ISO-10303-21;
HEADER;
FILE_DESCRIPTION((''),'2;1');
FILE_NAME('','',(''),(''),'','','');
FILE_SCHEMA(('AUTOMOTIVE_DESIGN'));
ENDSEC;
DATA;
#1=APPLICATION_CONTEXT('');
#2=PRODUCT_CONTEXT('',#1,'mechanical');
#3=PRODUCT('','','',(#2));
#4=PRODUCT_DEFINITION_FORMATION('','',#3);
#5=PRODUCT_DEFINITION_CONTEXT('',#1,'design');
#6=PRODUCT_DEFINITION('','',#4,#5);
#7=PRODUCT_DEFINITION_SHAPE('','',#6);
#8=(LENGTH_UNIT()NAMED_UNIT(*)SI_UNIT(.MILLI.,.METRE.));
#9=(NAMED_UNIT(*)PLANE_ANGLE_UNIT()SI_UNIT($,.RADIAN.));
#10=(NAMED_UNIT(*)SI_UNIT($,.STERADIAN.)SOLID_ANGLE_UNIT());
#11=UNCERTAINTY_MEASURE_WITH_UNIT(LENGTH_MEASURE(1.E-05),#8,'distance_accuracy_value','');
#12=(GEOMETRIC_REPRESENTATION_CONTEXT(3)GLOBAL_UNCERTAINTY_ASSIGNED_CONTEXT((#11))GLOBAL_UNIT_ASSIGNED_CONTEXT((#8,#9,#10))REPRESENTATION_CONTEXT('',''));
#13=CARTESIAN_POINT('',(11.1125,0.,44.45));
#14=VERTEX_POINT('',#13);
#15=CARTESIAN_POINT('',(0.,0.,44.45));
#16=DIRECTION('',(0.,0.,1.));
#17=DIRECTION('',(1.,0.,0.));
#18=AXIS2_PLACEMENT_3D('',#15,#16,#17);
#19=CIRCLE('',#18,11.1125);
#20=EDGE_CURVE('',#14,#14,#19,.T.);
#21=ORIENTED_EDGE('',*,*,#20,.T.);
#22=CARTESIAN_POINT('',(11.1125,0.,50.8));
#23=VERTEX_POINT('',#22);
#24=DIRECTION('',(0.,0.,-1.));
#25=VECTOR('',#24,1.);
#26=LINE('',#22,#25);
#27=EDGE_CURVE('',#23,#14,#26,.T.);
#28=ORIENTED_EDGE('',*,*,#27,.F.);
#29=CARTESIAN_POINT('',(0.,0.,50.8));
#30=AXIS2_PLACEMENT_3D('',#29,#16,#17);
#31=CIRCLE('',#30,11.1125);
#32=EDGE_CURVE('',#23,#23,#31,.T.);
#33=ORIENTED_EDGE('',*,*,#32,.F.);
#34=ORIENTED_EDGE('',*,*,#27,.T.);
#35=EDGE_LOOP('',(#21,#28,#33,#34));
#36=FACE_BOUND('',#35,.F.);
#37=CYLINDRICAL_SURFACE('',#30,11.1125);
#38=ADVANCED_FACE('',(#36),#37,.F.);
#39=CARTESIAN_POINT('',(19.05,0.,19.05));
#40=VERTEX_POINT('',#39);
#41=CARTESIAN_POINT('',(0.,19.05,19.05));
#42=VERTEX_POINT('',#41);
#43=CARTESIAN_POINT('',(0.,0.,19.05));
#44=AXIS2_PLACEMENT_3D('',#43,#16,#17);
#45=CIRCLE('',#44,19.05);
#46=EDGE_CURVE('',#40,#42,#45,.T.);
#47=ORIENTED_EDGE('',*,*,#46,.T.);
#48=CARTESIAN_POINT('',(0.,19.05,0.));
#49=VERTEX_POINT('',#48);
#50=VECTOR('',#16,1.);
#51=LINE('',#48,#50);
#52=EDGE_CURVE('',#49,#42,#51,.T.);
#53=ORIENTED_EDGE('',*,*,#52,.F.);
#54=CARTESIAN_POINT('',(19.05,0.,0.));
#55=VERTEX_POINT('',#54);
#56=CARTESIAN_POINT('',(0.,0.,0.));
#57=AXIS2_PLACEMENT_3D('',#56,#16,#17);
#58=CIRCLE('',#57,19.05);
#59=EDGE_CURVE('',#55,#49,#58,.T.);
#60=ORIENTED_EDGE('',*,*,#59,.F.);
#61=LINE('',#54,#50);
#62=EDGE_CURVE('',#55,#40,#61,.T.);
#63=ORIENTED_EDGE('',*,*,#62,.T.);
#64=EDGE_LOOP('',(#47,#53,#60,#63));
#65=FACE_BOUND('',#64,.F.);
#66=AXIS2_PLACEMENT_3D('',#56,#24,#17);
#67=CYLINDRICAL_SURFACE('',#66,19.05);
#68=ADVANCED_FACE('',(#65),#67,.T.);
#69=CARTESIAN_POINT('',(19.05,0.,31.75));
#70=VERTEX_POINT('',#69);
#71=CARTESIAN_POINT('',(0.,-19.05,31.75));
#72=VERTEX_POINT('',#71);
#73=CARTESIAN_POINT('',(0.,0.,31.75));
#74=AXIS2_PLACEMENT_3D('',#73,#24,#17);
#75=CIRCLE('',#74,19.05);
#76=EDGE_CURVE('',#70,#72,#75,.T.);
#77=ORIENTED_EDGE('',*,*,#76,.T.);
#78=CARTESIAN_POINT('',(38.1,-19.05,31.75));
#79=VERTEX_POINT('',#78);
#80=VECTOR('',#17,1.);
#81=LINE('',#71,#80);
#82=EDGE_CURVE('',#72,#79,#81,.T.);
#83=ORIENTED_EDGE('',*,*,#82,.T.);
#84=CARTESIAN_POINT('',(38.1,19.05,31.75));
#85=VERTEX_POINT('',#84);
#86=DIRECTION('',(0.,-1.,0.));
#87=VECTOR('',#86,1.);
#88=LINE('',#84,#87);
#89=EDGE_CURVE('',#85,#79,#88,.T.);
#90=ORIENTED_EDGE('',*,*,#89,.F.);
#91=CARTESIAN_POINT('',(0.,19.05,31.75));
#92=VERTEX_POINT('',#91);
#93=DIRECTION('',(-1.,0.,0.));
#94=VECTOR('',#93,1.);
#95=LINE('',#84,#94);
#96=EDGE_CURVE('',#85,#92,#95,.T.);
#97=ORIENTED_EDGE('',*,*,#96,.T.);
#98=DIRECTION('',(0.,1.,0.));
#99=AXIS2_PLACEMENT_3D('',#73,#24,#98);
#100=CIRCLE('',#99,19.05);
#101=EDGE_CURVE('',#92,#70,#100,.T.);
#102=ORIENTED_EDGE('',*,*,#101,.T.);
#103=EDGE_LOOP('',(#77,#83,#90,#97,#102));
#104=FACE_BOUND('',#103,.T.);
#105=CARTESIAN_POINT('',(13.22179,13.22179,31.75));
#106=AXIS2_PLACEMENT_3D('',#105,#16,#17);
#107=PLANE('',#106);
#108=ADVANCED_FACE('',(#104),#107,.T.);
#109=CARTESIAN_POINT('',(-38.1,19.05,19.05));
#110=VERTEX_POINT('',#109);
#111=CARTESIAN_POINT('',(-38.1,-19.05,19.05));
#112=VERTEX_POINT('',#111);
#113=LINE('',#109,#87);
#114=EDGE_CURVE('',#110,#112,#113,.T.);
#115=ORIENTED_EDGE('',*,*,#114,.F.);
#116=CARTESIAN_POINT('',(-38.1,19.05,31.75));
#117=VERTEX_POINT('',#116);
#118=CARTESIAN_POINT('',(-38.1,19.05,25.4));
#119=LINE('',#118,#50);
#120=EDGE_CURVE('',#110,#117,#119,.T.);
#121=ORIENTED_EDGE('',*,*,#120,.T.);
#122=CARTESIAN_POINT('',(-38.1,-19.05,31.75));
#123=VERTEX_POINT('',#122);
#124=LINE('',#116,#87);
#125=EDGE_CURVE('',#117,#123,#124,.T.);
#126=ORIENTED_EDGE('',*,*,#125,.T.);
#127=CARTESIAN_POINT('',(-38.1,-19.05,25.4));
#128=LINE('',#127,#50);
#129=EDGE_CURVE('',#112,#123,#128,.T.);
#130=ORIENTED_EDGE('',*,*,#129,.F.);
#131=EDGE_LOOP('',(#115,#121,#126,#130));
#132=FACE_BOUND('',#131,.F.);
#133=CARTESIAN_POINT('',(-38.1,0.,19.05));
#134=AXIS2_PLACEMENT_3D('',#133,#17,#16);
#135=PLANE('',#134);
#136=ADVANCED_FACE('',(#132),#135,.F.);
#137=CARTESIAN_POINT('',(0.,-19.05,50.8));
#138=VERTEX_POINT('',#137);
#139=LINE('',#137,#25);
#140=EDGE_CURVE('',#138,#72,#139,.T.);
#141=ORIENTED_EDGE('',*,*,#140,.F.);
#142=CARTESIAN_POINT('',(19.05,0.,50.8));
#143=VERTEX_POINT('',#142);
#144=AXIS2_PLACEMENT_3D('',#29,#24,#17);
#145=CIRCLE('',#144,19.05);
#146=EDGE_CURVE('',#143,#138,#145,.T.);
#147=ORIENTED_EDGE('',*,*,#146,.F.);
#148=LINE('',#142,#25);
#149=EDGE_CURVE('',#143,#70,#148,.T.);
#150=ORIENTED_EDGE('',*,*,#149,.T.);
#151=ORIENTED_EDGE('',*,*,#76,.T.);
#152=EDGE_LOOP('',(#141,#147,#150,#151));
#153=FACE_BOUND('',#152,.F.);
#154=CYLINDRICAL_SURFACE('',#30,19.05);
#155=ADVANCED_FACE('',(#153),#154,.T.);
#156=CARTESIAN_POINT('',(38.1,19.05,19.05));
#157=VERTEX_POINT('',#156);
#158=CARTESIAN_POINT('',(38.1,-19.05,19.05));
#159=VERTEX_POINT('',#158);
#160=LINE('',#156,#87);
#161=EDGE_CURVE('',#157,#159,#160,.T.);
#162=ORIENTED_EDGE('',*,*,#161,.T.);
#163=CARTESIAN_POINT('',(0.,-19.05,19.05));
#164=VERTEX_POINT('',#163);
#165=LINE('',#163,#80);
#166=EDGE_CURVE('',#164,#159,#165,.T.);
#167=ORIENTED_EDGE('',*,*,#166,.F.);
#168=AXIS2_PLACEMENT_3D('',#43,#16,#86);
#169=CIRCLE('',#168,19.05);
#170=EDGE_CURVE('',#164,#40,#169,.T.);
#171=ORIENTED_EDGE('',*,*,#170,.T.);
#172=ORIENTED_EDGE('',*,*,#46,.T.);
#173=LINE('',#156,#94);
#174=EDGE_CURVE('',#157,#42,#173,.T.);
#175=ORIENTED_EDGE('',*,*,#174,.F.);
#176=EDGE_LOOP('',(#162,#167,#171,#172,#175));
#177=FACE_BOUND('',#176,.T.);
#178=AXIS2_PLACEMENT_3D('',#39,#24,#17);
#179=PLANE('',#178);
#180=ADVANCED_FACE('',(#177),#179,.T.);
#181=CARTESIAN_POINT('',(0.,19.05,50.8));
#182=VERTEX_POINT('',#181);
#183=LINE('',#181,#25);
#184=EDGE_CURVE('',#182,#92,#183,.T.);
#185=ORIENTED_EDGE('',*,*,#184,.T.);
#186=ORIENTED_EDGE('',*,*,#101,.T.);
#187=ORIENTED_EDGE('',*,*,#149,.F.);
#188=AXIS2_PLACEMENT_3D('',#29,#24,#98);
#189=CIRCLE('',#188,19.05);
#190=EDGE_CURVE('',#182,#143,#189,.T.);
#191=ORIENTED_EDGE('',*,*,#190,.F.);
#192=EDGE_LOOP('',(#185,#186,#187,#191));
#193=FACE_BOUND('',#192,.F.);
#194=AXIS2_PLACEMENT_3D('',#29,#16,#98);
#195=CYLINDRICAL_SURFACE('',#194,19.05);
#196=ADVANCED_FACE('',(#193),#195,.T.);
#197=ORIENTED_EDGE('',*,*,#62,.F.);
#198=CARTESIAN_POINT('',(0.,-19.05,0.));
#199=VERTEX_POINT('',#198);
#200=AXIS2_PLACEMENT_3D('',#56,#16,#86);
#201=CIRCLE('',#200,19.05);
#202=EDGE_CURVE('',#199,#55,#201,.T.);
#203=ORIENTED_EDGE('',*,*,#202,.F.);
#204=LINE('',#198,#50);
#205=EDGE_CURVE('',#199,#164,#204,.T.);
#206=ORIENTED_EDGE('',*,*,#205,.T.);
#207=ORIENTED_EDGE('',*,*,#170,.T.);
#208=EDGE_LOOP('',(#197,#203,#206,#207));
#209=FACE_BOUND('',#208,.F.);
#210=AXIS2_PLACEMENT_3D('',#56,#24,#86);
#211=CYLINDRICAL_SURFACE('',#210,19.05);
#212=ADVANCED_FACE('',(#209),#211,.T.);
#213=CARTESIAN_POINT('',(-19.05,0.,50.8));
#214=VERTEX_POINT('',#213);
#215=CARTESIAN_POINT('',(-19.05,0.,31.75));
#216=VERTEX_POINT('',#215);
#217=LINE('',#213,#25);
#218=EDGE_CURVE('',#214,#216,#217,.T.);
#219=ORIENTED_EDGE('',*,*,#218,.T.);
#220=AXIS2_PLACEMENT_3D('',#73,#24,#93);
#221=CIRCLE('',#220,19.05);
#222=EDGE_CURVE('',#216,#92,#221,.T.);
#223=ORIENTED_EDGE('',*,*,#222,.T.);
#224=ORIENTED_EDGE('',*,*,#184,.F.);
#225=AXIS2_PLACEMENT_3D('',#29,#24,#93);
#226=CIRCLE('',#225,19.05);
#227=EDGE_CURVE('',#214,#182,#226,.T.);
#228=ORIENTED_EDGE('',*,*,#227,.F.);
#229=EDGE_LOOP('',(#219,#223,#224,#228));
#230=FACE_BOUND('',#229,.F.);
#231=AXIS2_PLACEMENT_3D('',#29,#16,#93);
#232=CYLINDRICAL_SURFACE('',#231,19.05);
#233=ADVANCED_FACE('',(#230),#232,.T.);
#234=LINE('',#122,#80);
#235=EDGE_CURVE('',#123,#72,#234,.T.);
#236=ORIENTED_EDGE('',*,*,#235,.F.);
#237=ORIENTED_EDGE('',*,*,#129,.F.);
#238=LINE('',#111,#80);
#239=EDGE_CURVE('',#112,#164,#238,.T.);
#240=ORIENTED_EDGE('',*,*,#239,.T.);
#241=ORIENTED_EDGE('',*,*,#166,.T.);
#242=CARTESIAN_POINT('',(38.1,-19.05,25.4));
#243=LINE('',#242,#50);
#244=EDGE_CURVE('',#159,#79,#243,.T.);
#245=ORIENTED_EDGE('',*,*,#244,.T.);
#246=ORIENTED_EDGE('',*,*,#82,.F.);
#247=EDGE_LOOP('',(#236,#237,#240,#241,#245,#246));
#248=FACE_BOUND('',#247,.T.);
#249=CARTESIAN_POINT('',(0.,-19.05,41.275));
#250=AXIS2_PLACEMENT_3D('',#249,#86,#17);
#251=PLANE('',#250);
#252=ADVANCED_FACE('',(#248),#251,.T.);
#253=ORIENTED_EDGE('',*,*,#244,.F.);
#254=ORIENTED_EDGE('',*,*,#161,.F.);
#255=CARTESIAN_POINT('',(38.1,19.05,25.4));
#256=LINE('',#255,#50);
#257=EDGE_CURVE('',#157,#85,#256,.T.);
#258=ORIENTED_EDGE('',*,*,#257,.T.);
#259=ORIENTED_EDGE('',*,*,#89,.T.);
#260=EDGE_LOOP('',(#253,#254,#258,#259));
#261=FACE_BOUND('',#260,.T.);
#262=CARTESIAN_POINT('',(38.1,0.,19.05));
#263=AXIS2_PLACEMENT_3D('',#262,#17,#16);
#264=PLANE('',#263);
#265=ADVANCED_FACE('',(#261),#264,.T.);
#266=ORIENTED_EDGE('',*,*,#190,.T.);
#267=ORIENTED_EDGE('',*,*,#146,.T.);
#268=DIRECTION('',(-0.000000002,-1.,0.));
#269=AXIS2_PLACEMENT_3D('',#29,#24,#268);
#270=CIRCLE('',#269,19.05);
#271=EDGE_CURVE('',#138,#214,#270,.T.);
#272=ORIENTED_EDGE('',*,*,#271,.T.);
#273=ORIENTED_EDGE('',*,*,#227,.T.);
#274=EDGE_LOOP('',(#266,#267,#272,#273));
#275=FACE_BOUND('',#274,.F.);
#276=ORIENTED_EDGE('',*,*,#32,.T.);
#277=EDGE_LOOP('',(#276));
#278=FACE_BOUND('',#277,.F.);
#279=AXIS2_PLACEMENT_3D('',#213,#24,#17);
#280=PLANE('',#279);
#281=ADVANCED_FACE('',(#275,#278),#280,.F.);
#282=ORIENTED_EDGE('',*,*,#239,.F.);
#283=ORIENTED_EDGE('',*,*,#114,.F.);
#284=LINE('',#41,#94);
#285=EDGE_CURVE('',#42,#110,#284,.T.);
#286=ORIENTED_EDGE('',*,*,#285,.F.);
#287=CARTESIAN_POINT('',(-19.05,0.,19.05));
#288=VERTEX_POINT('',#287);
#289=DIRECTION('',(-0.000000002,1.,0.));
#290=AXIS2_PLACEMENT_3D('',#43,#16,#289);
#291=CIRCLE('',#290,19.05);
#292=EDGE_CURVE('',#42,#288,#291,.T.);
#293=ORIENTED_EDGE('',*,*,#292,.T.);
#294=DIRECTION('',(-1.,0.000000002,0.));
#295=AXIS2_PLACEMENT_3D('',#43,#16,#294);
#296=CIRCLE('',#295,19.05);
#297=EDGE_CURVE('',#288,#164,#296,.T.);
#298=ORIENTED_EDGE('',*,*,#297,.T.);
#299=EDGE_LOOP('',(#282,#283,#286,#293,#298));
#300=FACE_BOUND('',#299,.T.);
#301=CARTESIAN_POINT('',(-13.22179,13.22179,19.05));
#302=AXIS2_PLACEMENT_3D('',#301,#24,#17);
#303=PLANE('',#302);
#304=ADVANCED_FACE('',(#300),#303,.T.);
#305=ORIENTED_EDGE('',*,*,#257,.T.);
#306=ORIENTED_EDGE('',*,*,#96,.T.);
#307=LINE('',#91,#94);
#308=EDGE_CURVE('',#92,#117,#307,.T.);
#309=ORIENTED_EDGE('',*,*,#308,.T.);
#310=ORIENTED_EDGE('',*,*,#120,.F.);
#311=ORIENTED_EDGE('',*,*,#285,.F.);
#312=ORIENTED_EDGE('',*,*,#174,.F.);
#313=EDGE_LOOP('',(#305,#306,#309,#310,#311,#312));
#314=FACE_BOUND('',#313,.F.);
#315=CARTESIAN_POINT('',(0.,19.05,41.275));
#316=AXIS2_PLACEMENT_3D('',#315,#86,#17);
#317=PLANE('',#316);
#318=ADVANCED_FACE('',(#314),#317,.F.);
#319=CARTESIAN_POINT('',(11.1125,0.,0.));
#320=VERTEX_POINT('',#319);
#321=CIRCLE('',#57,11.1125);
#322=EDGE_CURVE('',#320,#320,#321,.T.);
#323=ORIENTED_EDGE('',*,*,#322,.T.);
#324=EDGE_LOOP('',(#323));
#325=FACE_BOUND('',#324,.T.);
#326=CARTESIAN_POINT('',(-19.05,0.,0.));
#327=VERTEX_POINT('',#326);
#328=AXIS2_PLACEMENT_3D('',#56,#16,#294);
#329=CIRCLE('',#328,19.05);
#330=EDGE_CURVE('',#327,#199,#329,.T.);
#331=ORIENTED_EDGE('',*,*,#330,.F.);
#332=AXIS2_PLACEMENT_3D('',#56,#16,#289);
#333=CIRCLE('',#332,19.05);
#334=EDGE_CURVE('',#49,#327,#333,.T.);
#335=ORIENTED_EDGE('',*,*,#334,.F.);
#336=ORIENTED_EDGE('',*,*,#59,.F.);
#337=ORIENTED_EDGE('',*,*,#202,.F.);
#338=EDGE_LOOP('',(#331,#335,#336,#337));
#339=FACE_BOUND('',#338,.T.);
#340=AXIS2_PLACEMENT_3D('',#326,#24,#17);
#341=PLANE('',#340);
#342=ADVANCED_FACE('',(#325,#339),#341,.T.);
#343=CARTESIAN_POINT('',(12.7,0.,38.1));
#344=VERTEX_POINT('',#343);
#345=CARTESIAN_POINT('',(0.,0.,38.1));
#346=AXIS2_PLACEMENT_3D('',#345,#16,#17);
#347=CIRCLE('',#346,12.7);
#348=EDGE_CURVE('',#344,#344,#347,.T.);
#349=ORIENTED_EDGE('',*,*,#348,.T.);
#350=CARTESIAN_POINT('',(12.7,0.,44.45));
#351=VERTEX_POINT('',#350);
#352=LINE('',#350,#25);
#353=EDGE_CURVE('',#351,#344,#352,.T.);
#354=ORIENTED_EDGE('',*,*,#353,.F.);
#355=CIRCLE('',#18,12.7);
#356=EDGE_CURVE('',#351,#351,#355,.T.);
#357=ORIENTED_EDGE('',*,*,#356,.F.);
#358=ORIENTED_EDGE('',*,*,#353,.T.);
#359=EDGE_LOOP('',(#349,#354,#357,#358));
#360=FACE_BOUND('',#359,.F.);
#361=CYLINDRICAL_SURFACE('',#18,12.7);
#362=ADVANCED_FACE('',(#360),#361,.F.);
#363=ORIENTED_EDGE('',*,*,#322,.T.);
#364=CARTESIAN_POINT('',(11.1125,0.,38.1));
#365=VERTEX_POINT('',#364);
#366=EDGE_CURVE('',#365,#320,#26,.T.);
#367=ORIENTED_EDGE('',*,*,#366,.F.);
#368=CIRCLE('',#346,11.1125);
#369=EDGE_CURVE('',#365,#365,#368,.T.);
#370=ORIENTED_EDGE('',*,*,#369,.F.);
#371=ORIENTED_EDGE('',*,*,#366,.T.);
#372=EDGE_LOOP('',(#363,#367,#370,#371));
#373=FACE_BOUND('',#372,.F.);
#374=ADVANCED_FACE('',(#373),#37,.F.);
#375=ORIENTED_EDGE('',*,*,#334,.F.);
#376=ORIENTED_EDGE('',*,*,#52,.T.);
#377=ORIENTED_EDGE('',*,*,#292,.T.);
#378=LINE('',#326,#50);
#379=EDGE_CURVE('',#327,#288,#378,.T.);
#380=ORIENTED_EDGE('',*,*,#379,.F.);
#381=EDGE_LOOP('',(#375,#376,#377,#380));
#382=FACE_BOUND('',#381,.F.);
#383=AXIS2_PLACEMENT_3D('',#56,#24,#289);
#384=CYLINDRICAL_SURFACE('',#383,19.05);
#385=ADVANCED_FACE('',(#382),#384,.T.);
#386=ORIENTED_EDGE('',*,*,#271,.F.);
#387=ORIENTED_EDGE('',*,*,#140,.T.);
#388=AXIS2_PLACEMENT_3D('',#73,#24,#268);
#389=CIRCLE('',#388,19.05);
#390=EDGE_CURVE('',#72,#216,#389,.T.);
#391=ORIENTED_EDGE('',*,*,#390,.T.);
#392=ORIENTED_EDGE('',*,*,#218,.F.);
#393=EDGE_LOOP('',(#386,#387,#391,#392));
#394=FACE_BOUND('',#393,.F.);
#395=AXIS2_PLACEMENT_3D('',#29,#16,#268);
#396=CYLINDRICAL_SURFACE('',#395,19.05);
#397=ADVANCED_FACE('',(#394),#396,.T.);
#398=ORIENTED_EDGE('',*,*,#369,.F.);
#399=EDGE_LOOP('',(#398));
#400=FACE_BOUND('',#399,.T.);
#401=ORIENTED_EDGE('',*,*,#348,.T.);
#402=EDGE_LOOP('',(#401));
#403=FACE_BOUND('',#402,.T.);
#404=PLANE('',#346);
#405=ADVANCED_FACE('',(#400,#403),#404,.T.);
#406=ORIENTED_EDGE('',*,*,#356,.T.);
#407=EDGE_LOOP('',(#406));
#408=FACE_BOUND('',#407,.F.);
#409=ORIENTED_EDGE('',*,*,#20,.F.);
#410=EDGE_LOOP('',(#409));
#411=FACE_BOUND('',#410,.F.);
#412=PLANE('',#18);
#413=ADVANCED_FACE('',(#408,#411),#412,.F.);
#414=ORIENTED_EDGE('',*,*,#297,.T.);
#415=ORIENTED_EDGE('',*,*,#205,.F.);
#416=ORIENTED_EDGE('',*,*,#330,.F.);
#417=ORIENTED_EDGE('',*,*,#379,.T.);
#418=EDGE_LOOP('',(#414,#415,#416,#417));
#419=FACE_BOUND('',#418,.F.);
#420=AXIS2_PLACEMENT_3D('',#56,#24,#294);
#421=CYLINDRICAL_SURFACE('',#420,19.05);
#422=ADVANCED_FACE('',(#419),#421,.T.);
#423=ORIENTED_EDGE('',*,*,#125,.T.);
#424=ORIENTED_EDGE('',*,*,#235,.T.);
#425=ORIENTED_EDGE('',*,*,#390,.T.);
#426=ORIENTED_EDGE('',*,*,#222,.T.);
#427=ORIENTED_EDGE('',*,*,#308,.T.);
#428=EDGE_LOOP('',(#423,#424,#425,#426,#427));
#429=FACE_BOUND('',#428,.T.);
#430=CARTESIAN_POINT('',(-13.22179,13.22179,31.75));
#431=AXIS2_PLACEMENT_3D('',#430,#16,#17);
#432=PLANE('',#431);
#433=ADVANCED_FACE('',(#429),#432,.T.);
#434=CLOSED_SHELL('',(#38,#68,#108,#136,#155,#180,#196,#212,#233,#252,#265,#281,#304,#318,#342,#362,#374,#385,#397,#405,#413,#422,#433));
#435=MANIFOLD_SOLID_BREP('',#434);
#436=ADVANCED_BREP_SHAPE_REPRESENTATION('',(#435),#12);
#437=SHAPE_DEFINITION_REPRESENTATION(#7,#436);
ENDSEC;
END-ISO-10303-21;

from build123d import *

# Parameters (mm, degrees)
F0_W     = 38.1
F0_H     = 19.05
F0_H_2   = 12.7
F0_W_2   = 19.05
F1_DEPTH = 19.05
F3_DEPTH = 19.05
F5_DEPTH = 19.05
F7_START = -6.35
F6_R     = 12.7
F6_R_2   = 11.1125
F7_DEPTH = 6.35
F8_DEPTH = 50.801


with BuildPart() as f1:
    # F0 (on Front) → F1 (new body, symmetric)
    with BuildSketch(Plane.XZ):
        with Locations((0, 41.275)):
            Rectangle(F0_W, F0_H)
        with Locations((0, 25.4)):
            Rectangle(F0_W, F0_H_2)
        with Locations((0, 9.525)):
            Rectangle(F0_W, F0_H)
        with Locations((-28.575, 25.4)):
            Rectangle(F0_W_2, F0_H_2)
        with Locations((28.575, 25.4)):
            Rectangle(F0_W_2, F0_H_2)
    extrude(amount=F1_DEPTH, both=True)

    # F2 (on face) → F3 (cut)
    with BuildSketch(Plane.XY.offset(50.8)):
        with BuildLine():
            ThreePointArc((-19.05, 0), (-13.4703841816, 13.4703841816), (0, 19.05))
            Line((0, 19.05), (-19.05, 19.05))
            Line((-19.05, 19.05), (-19.05, 0))
        make_face()
        with BuildLine():
            ThreePointArc((0, 19.05), (13.4703841816, 13.4703841816), (19.05, 0))
            Line((19.05, 0), (19.05, 19.05))
            Line((19.05, 19.05), (0, 19.05))
        make_face()
        with BuildLine():
            Line((-19.05, -19.05), (-3.68e-08, -19.05))
            ThreePointArc((-3.68e-08, -19.05), (-13.4703841946, -13.4703841686), (-19.05, 0))
            Line((-19.05, 0), (-19.05, -19.05))
        make_face()
        with BuildLine():
            Line((19.05, -19.05), (19.05, 0))
            ThreePointArc((19.05, 0), (13.4703841686, -13.4703841946), (-3.68e-08, -19.05))
            Line((-3.68e-08, -19.05), (19.05, -19.05))
        make_face()
    extrude(amount=-F3_DEPTH, mode=Mode.SUBTRACT)

    # F4 (on face) → F5 (cut)
    with BuildSketch(Plane(origin=(0, 0, 0), x_dir=(1, 0, 0), z_dir=(0, 0, -1))):
        with BuildLine():
            ThreePointArc((-19.05, -3.68e-08), (-13.4703841946, 13.4703841686), (0, 19.05))
            Line((0, 19.05), (-19.05, 19.05))
            Line((-19.05, 19.05), (-19.05, -3.68e-08))
        make_face()
        with BuildLine():
            ThreePointArc((0, 19.05), (13.4703841816, 13.4703841816), (19.05, 0))
            Line((19.05, 0), (19.05, 19.05))
            Line((19.05, 19.05), (0, 19.05))
        make_face()
        with BuildLine():
            Line((19.05, -19.05), (19.05, 0))
            ThreePointArc((19.05, 0), (13.4703841686, -13.4703841946), (-3.68e-08, -19.05))
            Line((-3.68e-08, -19.05), (19.05, -19.05))
        make_face()
        with BuildLine():
            Line((-19.05, -19.05), (-3.68e-08, -19.05))
            ThreePointArc((-3.68e-08, -19.05), (-13.4703841816, -13.4703841816), (-19.05, -3.68e-08))
            Line((-19.05, -3.68e-08), (-19.05, -19.05))
        make_face()
    extrude(amount=-F5_DEPTH, mode=Mode.SUBTRACT)

    # F6 (on face) → F7 (cut)
    with BuildSketch(Plane.XY.offset(50.8).offset(F7_START)):
        Circle(F6_R)
        Circle(F6_R_2, mode=Mode.SUBTRACT)
    extrude(amount=-F7_DEPTH, mode=Mode.SUBTRACT)

    # F6 (on face) → F8 (cut, through all)
    with BuildSketch(Plane.XY.offset(50.8)):
        Circle(F6_R_2)
    extrude(amount=-F8_DEPTH, mode=Mode.SUBTRACT)


solid = f1.part
